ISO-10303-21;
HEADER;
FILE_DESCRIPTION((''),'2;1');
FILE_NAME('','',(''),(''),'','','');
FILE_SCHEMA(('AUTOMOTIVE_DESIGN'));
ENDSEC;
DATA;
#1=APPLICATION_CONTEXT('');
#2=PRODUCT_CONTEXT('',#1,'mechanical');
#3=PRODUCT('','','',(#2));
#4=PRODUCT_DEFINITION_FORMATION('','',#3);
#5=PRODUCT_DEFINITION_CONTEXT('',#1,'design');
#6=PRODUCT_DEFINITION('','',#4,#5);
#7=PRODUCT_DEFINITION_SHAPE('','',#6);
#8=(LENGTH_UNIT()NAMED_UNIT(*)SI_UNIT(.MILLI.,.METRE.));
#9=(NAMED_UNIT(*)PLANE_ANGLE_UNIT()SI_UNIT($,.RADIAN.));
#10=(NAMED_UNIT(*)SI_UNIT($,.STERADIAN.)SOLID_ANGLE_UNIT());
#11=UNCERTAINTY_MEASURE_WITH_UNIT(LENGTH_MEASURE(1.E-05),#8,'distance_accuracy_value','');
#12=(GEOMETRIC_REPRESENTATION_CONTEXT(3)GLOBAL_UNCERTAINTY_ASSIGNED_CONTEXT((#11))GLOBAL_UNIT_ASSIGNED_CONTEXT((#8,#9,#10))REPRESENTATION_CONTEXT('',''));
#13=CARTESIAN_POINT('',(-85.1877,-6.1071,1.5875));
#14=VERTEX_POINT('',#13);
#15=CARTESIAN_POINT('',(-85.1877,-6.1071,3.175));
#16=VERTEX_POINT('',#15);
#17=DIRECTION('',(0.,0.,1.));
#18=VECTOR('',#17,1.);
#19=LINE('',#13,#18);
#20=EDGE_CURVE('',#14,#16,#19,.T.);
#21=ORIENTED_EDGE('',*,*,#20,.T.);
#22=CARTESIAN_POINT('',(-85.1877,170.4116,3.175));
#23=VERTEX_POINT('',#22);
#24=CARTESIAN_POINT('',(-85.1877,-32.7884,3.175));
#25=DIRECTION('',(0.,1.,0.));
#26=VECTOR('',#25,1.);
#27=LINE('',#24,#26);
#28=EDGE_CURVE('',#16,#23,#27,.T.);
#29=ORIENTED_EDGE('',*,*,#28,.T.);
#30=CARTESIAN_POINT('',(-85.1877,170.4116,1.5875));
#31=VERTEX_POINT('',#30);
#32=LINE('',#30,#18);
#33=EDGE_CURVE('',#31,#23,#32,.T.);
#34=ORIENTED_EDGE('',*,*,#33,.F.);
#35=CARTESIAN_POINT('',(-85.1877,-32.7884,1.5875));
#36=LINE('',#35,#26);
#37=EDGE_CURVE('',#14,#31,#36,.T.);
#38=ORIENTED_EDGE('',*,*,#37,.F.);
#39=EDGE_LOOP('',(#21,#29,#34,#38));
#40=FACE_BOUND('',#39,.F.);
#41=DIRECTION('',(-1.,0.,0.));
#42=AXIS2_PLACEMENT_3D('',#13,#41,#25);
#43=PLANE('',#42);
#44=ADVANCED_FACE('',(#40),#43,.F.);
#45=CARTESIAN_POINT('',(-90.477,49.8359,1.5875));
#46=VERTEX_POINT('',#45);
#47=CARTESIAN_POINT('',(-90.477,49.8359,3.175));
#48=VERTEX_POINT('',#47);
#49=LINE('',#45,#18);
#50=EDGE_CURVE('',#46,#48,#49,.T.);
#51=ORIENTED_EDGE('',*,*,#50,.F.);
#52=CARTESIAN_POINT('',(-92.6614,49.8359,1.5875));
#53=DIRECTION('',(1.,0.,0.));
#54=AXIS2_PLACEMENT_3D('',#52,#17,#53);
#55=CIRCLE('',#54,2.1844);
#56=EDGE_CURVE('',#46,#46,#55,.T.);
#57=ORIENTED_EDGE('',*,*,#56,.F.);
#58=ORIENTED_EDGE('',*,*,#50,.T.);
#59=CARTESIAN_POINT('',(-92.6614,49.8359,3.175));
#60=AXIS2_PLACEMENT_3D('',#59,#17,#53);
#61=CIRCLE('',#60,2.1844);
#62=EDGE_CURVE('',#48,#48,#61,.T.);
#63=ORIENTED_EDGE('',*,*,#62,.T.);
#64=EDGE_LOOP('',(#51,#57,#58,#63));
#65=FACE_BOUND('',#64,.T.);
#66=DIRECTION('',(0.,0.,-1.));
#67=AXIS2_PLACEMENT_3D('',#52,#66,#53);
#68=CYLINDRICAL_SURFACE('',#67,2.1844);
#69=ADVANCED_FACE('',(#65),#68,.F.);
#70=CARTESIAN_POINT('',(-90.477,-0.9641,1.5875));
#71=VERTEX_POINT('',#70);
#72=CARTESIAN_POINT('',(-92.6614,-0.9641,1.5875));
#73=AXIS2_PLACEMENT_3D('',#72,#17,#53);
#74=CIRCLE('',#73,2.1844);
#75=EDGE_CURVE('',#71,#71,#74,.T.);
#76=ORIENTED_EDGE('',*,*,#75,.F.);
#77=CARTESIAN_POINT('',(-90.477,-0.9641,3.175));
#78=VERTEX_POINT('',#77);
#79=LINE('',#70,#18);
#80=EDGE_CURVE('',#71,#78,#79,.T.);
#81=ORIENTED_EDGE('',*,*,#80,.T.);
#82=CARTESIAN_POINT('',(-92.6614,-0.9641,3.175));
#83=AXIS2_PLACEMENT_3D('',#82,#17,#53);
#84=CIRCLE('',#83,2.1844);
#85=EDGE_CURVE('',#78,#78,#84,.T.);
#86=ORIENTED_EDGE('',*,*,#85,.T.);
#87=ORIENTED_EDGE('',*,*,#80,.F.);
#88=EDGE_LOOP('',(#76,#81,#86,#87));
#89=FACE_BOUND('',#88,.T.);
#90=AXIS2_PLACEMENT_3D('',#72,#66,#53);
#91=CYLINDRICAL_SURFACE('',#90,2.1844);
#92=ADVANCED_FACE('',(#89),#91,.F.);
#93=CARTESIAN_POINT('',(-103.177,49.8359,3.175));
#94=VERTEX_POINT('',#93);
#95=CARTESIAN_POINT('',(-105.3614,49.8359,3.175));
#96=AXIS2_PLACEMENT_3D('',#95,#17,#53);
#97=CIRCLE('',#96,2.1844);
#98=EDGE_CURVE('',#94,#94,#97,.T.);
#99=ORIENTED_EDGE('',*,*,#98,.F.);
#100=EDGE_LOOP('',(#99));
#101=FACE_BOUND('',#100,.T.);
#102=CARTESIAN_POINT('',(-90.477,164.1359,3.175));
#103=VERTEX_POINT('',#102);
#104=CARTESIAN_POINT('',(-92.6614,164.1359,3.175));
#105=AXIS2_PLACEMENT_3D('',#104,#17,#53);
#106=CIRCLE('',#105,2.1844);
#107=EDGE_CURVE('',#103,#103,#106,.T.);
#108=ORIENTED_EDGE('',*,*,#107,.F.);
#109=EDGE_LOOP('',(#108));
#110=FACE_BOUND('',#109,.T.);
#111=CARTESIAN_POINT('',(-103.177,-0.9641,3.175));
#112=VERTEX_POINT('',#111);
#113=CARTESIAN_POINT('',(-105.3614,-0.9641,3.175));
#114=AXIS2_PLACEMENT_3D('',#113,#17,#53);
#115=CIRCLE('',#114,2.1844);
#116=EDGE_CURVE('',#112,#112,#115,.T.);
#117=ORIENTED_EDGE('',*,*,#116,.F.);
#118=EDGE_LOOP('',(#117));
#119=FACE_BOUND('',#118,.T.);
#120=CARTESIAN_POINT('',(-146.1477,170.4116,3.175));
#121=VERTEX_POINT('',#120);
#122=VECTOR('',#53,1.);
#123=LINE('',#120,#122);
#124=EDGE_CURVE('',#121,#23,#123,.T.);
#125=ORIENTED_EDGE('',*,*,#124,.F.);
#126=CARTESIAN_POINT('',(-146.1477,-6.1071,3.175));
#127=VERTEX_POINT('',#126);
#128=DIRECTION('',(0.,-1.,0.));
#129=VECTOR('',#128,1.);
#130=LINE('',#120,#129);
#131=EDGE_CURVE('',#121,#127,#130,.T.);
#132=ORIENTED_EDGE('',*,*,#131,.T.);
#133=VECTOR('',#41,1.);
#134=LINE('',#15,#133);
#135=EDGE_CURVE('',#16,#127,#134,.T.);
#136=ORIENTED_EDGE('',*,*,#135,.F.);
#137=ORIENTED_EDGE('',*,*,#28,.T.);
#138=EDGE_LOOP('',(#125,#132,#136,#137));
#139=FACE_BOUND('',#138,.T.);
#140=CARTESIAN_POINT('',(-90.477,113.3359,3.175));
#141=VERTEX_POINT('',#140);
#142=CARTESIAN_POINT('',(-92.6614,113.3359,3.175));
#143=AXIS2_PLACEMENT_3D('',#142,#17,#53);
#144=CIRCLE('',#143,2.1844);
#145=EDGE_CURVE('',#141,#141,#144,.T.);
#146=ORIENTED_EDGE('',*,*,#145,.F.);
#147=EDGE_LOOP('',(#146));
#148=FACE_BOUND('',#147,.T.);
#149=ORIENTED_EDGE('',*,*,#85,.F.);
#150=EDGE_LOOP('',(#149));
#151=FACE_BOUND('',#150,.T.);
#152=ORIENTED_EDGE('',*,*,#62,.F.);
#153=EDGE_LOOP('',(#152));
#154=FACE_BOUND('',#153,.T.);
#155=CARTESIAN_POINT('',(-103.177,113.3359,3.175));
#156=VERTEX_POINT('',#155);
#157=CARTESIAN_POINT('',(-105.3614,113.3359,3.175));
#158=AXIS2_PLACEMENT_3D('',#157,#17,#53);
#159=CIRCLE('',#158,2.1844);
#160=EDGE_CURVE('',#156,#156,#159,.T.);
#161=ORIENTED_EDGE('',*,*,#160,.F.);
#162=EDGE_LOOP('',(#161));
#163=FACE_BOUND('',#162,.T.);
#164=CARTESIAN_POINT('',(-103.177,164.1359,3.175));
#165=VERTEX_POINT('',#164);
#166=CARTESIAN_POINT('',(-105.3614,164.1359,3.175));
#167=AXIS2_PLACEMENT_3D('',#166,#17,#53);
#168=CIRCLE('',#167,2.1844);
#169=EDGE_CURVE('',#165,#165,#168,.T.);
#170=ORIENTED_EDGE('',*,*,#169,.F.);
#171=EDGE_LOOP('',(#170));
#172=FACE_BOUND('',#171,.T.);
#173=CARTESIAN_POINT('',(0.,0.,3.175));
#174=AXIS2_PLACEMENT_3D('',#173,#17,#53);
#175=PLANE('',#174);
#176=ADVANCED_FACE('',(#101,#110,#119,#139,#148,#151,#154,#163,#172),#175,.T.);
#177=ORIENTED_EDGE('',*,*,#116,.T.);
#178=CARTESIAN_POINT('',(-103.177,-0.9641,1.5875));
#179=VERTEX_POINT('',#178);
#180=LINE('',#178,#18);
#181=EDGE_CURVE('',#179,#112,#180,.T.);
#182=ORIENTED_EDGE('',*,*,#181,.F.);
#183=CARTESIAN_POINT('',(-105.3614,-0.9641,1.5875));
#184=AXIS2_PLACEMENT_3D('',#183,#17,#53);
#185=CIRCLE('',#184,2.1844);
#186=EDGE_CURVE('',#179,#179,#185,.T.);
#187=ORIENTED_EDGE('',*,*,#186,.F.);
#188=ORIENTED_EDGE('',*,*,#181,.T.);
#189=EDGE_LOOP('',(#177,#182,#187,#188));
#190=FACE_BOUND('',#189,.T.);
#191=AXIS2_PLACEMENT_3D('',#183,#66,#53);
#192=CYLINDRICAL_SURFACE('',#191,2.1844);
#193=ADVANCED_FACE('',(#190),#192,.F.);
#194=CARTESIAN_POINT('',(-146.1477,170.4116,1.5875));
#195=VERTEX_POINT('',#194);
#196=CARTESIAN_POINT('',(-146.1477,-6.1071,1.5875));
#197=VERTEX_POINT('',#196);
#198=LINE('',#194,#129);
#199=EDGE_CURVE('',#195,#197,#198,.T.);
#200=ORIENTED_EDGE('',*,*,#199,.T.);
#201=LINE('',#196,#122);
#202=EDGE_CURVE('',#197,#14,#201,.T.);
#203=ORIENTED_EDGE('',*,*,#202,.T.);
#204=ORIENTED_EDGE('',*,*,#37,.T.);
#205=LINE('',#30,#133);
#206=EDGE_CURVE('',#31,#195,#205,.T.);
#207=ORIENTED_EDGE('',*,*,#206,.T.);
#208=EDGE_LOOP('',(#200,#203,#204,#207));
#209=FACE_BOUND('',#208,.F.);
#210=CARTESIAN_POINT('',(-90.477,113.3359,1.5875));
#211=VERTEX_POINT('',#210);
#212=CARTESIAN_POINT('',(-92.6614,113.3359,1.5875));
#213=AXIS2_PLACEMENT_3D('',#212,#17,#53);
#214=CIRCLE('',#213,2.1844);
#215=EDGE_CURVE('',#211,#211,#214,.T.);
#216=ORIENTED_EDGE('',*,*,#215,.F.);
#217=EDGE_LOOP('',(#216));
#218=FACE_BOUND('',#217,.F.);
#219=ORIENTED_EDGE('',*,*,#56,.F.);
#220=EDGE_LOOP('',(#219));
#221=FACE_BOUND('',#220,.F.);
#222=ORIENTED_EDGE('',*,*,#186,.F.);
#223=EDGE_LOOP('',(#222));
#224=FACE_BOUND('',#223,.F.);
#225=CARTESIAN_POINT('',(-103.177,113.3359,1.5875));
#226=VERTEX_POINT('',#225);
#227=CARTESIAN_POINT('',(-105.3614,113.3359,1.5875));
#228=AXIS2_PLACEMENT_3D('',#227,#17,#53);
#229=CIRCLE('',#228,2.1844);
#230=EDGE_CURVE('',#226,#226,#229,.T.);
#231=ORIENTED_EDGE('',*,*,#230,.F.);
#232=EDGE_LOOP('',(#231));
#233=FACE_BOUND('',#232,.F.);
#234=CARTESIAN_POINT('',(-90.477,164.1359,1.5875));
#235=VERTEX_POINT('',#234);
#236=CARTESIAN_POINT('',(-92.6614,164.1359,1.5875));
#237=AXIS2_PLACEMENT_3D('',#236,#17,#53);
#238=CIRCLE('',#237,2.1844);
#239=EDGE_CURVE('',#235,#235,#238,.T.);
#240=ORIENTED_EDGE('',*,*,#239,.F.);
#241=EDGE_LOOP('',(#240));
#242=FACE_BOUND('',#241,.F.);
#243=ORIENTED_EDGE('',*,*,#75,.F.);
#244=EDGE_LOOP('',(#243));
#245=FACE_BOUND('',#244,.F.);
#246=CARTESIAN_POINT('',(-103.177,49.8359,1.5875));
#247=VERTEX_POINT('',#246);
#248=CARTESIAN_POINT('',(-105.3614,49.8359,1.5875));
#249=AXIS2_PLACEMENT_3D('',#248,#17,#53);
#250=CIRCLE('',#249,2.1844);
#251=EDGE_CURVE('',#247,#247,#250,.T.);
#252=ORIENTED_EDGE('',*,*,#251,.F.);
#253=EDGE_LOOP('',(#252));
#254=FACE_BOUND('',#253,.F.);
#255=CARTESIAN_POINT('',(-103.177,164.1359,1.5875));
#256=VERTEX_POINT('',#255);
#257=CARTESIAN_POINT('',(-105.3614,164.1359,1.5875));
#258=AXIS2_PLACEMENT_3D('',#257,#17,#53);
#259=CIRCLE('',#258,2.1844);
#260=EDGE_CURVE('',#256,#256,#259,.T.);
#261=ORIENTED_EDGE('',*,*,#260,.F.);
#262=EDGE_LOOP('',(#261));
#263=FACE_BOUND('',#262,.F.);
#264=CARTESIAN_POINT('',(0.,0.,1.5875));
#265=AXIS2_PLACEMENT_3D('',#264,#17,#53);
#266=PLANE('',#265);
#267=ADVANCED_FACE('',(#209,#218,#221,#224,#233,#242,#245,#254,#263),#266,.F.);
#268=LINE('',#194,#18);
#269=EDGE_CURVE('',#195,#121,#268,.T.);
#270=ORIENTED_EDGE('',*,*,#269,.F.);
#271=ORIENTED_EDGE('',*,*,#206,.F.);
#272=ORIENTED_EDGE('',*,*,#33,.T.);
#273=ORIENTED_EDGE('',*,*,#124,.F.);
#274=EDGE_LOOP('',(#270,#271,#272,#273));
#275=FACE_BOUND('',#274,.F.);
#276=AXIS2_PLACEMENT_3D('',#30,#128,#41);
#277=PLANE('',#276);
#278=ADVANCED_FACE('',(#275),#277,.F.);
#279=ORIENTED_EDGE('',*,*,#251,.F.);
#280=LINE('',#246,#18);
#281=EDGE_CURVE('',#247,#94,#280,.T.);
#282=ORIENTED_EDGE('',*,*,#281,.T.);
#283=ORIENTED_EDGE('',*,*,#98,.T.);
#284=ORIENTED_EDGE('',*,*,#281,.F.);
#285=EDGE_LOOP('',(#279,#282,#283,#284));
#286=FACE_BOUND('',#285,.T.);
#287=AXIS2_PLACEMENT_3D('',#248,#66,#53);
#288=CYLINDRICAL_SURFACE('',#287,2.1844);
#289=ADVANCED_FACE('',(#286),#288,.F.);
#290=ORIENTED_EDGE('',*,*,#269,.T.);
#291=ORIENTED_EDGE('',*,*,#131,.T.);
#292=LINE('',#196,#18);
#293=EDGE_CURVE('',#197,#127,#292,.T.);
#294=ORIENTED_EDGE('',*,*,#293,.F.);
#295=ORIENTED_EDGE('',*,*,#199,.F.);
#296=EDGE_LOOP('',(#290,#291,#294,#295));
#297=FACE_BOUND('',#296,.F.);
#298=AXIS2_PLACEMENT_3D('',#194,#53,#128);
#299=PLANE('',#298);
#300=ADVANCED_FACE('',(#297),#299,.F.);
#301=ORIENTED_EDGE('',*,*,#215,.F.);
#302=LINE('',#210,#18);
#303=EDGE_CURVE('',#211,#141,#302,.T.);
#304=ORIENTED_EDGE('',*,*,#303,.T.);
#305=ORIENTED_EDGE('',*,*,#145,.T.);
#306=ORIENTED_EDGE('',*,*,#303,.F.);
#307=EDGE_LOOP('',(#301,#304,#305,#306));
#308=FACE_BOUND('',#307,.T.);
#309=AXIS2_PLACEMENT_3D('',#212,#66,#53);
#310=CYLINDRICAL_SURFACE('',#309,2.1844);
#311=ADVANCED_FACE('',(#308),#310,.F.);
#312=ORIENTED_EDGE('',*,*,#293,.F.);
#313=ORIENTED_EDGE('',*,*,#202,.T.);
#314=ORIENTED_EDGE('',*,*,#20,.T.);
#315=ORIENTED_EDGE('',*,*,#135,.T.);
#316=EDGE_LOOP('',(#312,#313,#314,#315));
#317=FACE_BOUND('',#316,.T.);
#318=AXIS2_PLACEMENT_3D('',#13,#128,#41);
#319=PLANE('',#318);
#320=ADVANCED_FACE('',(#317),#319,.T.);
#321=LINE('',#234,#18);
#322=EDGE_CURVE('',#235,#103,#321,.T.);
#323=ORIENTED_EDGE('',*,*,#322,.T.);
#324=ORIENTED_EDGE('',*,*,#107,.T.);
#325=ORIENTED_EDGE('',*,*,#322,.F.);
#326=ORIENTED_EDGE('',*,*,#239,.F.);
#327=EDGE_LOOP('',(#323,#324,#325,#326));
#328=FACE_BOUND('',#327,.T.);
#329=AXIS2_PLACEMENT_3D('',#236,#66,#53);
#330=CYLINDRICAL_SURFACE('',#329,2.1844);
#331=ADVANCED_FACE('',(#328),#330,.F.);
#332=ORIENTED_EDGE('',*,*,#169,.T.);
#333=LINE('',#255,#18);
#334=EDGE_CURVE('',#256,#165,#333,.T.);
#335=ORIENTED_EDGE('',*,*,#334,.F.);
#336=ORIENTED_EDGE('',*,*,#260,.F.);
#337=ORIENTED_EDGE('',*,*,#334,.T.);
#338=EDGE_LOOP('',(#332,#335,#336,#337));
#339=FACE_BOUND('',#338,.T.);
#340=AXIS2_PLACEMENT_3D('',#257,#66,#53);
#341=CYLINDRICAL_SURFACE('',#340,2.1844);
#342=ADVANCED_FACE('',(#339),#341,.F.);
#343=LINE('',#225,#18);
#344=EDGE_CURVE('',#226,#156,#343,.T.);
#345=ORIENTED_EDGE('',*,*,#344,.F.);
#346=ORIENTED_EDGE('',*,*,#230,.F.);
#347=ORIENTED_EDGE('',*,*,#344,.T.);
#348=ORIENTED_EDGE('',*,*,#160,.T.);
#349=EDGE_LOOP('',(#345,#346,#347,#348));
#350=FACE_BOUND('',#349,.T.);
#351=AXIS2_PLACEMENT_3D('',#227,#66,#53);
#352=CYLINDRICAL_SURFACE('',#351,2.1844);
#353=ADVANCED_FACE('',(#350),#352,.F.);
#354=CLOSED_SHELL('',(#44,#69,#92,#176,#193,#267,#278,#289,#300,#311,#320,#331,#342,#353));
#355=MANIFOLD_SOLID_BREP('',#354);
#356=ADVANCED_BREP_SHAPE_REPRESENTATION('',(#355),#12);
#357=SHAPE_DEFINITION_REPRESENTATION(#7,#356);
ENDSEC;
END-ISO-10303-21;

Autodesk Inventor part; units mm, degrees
ref_plane "YZ Plane" through (0, 0, 0) normal (1, 0, 0) x (0, 1, 0)
ref_plane "XZ Plane" through (0, 0, 0) normal (0, 1, 0) x (-1, 0, 0)
ref_plane "XY Plane" through (0, 0, 0) normal (0, 0, 1) x (1, 0, 0)
ref_plane "Work Plane1" through (0, 0, 1.5875) normal (0, 0, 1) x (1, 0, 0)
sketch "Sketch2" plane through (0, 0, 1.5875) normal (0, 0, 1) x (1, 0, 0)
  line L0 (-85.1877, 170.4116) -> (-146.1477, 170.4116)
  line L1 (-146.1477, 170.4116) -> (-146.1477, -32.7884)
  line L2 (-146.1477, -32.7884) -> (-85.1877, -32.7884)
  line L3 (-85.1877, -32.7884) -> (-85.1877, 170.4116)
  circle A0 centre (-92.6614, 164.1359) radius 2.1844
  circle A1 centre (-92.6614, 151.4359) radius 2.1844
  circle A2 centre (-92.6614, 138.7359) radius 2.1844
  circle A3 centre (-92.6614, 126.0359) radius 2.1844
  circle A4 centre (-92.6614, -26.3641) radius 2.1844
  circle A5 centre (-92.6614, -13.6641) radius 2.1844
  circle A6 centre (-92.6614, -0.9641) radius 2.1844
  circle A7 centre (-92.6614, 11.7359) radius 2.1844
  circle A8 centre (-105.3614, 164.1359) radius 2.1844
  circle A9 centre (-105.3614, 151.4359) radius 2.1844
  circle A10 centre (-105.3614, 138.7359) radius 2.1844
  circle A11 centre (-105.3614, 126.0359) radius 2.1844
  circle A12 centre (-92.6614, 113.3359) radius 2.1844
  circle A13 centre (-105.3614, 113.3359) radius 2.1844
  circle A14 centre (-92.6614, 100.6359) radius 2.1844
  circle A15 centre (-105.3614, 100.6359) radius 2.1844
  circle A16 centre (-92.6614, 87.9359) radius 2.1844
  circle A17 centre (-105.3614, 87.9359) radius 2.1844
  circle A18 centre (-92.6614, 75.2359) radius 2.1844
  circle A19 centre (-105.3614, 75.2359) radius 2.1844
  circle A20 centre (-105.3614, -26.3641) radius 2.1844
  circle A21 centre (-105.3614, -13.6641) radius 2.1844
  circle A22 centre (-105.3614, -0.9641) radius 2.1844
  circle A23 centre (-105.3614, 11.7359) radius 2.1844
  circle A24 centre (-105.3614, 24.4359) radius 2.1844
  circle A25 centre (-105.3614, 37.1359) radius 2.1844
  circle A26 centre (-105.3614, 62.5359) radius 2.1844
  circle A27 centre (-105.3614, 49.8359) radius 2.1844
  circle A28 centre (-92.6614, 62.5359) radius 2.1844
  circle A29 centre (-92.6614, 49.8359) radius 2.1844
  line L4 (-90.858, 34.8245) -> (-94.4648, 34.8245)
  circle A30 centre (-92.6614, 24.4359) radius 2.1844
  circle A31 centre (-92.6614, 37.1359) radius 2.1844
  line L5 (-110.5377, 170.4116) -> (-110.5377, -32.7884)
  line L6 (-85.1877, -19.6806) -> (-146.1477, -19.6806)
  line L7 (-85.1877, -6.1071) -> (-146.1477, -6.1071)
  point P0 (0, 0)
  point P1 (-107.6728, 13.5393)
  dimension "d4" = 203.2
  dimension "d5" = 60.96
extrude "Extrusion4" add sketch "Sketch2" along normal blind 1.5875 contours L3 L7 L5 L0 | L5 L7 L1 L0 | A1 | A2 | A3 | A7 | A9 | A10 | A11 | A14 | A15 | A16 | A17 | A18 | A19 | A23 | A24 | A25 | A26 | A28 | A30 | A31
properties part number "Horizontal wings poly"
